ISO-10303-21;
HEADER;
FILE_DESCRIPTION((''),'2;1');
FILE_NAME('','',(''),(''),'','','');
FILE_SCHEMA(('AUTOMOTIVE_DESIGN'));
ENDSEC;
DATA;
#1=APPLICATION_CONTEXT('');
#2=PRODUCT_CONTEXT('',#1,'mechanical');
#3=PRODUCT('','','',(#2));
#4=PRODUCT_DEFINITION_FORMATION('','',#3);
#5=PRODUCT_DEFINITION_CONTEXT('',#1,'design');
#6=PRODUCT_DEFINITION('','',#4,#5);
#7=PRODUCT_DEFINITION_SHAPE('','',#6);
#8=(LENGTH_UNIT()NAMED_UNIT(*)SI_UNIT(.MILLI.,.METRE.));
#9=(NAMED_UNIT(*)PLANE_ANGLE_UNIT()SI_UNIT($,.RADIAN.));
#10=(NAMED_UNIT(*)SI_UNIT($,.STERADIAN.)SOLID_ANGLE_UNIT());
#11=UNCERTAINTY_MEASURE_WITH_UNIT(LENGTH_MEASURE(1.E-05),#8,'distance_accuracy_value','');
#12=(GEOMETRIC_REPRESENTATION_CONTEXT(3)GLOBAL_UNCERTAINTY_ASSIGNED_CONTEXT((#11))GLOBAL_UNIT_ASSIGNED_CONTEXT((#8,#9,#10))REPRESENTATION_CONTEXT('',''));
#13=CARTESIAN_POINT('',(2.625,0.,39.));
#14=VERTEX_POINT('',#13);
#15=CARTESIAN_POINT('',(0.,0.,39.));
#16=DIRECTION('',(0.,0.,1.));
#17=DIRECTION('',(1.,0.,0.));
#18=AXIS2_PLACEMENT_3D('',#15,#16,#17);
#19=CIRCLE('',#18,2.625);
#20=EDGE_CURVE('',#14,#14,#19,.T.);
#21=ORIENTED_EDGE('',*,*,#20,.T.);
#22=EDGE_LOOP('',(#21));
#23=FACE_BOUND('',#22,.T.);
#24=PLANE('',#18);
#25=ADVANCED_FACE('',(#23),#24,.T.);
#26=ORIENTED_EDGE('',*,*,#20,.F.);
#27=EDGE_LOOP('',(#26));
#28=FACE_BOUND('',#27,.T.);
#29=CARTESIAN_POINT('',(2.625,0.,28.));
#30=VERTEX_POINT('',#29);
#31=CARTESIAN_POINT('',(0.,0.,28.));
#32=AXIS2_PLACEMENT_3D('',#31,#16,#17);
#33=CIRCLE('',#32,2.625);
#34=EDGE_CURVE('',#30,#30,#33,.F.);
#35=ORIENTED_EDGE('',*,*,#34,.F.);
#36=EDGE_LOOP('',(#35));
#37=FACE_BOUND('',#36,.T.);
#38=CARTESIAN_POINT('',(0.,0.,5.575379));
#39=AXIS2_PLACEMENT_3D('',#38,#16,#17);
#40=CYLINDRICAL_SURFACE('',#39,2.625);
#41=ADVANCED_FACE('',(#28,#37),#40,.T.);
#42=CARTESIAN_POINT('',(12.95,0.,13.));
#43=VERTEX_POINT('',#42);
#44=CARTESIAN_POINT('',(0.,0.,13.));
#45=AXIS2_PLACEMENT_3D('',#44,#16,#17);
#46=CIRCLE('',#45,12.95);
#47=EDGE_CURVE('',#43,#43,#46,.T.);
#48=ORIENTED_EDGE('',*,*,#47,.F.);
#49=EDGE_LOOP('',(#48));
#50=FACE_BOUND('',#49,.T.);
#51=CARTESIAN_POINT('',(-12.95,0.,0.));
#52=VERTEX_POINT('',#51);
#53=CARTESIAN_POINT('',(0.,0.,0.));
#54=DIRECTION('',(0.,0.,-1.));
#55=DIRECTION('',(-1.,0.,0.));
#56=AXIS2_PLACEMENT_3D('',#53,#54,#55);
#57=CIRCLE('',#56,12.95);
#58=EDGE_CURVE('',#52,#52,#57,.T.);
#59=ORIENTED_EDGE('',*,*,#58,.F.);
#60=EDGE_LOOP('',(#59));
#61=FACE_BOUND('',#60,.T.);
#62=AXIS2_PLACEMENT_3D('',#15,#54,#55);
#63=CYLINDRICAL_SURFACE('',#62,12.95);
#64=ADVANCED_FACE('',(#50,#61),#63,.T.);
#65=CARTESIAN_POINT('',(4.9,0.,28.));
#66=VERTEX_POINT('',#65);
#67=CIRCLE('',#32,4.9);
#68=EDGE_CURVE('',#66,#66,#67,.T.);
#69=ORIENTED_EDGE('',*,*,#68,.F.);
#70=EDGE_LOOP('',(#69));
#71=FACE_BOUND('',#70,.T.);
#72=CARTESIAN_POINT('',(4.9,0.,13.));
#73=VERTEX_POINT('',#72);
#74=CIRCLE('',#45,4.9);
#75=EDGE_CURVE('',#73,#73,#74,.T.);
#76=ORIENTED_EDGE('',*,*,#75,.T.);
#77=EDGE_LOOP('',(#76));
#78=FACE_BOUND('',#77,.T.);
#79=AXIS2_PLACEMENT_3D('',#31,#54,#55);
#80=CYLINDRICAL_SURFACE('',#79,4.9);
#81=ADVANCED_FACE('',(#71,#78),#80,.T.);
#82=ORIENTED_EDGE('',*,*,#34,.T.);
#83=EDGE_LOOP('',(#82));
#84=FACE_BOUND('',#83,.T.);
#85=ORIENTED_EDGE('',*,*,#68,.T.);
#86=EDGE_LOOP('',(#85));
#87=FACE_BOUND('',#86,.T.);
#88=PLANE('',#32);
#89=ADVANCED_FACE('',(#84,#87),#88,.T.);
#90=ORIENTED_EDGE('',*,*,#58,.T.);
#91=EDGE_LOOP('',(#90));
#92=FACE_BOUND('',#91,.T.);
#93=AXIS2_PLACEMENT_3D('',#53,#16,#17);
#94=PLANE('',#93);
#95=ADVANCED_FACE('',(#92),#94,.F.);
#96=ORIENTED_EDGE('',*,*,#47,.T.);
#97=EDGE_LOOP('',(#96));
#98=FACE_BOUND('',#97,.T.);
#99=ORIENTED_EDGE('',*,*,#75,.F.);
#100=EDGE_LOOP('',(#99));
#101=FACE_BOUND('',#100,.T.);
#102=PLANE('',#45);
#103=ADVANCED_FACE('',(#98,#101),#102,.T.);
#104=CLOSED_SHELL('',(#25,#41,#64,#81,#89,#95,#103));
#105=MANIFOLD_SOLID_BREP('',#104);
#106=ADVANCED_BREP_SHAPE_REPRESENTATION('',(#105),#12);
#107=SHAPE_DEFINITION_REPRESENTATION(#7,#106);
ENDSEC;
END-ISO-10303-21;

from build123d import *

# Parameters (mm, degrees)
SKETCH2_R           = 12.5
BOSS_EXTRUDE1_DEPTH = 13
SKETCH3_R           = 2.45
BOSS_EXTRUDE2_DEPTH = 26
SKETCH4_R           = 12.9
BOSS_EXTRUDE3_DEPTH = 13
SKETCH5_R           = 2.625
BOSS_EXTRUDE4_DEPTH = 26
SKETCH6_R           = 4.9
BOSS_EXTRUDE5_DEPTH = 15
SKETCH7_R           = 13.125
BOSS_EXTRUDE6_DEPTH = 13
SKETCH8_R           = 13.125
SKETCH8_R_2         = 12.95
CUT_EXTRUDE1_DEPTH  = 44.191796096


with BuildPart() as part:
    # Sketch2 → Boss-Extrude1 (new body)
    with BuildSketch(Plane.XY):
        with Locations(Location((0, 0, 0), (0, 0, 180))):
            Circle(SKETCH2_R)
    extrude(amount=BOSS_EXTRUDE1_DEPTH)

    # Sketch3 → Boss-Extrude2 (add)
    with BuildSketch(Plane.XY.offset(13)):
        with Locations(Location((0, 0, 0), (0, 0, 180))):
            Circle(SKETCH3_R)
    extrude(amount=BOSS_EXTRUDE2_DEPTH)

    # Sketch4 → Boss-Extrude3 (add)
    with BuildSketch(Plane(origin=(0, 0, 0), x_dir=(-1, 0, 0), z_dir=(0, 0, -1))):
        Circle(SKETCH4_R)
    extrude(amount=-BOSS_EXTRUDE3_DEPTH)

    # Sketch5 → Boss-Extrude4 (add)
    with BuildSketch(Plane.XY.offset(39)):
        Circle(SKETCH5_R)
    extrude(amount=-BOSS_EXTRUDE4_DEPTH)

    # Sketch6 → Boss-Extrude5 (add)
    with BuildSketch(Plane.XY.offset(13)):
        Circle(SKETCH6_R)
    extrude(amount=BOSS_EXTRUDE5_DEPTH)

    # Sketch7 → Boss-Extrude6 (add)
    with BuildSketch(Plane(origin=(0, 0, 0), x_dir=(-1, 0, 0), z_dir=(0, 0, -1))):
        Circle(SKETCH7_R)
    extrude(amount=-BOSS_EXTRUDE6_DEPTH)

    # Sketch8 → Cut-Extrude1 (cut, through all)
    with BuildSketch(Plane(origin=(0, 0, 0), x_dir=(-1, 0, 0), z_dir=(0, 0, -1))):
        Circle(SKETCH8_R)
        Circle(SKETCH8_R_2, mode=Mode.SUBTRACT)
    extrude(amount=-CUT_EXTRUDE1_DEPTH, mode=Mode.SUBTRACT)


solid = part.part
